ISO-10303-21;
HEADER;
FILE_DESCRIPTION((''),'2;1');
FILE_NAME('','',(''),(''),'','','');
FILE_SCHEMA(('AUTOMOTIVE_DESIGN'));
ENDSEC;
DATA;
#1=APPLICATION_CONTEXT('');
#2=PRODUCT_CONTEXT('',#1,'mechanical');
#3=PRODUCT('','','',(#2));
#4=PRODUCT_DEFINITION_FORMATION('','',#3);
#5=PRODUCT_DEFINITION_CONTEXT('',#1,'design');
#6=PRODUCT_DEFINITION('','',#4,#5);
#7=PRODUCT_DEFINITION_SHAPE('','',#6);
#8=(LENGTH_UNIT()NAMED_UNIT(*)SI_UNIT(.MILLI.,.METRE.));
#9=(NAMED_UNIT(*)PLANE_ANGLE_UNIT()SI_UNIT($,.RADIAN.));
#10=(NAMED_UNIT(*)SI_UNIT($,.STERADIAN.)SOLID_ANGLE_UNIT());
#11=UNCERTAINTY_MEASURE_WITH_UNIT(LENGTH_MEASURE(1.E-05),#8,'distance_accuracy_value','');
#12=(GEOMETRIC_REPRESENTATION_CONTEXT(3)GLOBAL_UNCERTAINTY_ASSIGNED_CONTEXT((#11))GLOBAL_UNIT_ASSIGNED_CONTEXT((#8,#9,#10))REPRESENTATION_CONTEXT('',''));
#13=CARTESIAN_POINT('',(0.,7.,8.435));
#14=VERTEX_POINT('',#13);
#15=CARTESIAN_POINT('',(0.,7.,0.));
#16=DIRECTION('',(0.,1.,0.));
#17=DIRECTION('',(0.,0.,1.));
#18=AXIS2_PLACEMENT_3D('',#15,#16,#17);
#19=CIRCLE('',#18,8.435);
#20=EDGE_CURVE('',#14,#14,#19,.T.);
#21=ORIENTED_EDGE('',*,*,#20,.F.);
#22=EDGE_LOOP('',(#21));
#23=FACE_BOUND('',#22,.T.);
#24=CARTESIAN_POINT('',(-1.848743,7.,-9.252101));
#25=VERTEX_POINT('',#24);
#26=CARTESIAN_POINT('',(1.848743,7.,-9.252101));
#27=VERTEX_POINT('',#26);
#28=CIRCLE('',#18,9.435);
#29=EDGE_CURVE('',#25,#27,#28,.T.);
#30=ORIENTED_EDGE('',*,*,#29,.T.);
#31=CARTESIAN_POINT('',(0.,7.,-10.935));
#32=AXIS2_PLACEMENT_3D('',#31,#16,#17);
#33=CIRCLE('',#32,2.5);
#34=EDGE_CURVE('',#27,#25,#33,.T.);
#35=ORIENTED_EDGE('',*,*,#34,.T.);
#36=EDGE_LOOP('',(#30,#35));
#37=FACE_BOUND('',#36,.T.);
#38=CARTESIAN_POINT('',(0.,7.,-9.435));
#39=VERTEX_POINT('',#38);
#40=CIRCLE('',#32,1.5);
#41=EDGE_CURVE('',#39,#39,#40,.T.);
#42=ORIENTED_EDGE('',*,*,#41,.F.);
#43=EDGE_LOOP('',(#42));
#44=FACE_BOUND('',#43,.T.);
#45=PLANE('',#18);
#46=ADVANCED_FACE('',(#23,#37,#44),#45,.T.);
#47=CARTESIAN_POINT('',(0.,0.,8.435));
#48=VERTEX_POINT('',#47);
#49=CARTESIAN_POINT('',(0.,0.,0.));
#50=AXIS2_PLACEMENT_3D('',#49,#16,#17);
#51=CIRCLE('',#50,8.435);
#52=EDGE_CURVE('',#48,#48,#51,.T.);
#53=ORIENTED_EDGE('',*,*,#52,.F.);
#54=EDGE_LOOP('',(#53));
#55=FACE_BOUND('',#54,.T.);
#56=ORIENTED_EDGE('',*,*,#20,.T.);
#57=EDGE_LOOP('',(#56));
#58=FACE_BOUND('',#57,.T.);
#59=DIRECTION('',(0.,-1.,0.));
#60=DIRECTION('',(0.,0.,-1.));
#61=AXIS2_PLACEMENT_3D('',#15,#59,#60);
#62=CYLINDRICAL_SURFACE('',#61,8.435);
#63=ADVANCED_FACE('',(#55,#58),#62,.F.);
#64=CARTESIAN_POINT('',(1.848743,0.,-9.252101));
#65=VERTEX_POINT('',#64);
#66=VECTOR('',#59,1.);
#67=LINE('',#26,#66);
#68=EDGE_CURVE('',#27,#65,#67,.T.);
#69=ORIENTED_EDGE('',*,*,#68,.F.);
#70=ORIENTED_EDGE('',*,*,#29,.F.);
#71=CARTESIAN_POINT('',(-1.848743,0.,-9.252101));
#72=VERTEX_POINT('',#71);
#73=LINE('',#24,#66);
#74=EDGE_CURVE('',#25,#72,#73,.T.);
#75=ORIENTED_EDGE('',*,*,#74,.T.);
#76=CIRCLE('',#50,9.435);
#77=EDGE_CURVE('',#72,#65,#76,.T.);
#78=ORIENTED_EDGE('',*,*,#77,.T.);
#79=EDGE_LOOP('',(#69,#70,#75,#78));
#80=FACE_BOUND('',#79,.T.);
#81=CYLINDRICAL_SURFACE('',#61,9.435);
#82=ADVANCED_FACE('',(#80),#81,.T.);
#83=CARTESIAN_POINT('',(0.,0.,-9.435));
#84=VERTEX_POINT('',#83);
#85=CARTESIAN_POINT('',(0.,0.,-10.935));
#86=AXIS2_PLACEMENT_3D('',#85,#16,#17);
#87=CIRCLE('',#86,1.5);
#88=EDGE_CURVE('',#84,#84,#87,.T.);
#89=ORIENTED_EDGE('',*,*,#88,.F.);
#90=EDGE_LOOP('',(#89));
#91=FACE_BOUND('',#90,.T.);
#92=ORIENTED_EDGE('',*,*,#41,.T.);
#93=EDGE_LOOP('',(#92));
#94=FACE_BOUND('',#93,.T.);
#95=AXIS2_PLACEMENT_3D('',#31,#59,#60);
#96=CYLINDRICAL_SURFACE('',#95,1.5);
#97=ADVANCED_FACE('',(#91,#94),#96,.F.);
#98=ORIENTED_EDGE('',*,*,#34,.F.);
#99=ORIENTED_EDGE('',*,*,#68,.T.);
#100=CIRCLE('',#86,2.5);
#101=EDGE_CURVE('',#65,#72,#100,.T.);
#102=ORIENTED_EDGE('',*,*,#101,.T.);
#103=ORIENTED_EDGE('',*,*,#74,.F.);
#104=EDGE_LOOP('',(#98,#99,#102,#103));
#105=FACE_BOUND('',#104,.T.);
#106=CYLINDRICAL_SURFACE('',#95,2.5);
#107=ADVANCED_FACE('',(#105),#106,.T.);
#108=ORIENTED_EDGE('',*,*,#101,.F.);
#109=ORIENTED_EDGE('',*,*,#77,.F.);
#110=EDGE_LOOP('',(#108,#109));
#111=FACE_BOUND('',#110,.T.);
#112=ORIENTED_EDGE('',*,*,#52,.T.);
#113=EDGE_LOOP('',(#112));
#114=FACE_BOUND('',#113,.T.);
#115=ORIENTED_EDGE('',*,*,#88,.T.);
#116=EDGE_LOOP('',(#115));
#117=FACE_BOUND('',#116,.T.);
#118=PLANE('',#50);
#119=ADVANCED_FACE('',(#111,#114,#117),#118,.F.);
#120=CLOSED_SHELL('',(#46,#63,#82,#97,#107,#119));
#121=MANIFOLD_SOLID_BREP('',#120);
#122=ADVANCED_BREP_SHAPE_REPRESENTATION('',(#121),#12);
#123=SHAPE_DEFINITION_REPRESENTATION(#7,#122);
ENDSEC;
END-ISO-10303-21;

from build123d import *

# Parameters (mm, degrees)
SKETCH2_R           = 9.435
SKETCH2_R_2         = 8.435
SKETCH2_R_3         = 2.5
SKETCH2_R_4         = 1.5
BOSS_EXTRUDE1_DEPTH = 7


with BuildPart() as part:
    # Sketch2 → Boss-Extrude1 (new body)
    # profile 1 of 2: a face of its own
    with BuildSketch(Plane(origin=(0, 0, 0), x_dir=(1, 0, 0), z_dir=(0, 1, 0))):
        Circle(SKETCH2_R)
        with Locations(Location((0, 0, 0), (0, 0, 270))):
            Circle(SKETCH2_R_2, mode=Mode.SUBTRACT)
    # profile 2 of 2: a face of its own
    with BuildSketch(Plane(origin=(0, 0, 0), x_dir=(1, 0, 0), z_dir=(0, 1, 0))):
        with Locations((0, 10.935)):
            Circle(SKETCH2_R_3)
        with Locations(Location((0, 10.935, 0), (0, 0, 270))):
            Circle(SKETCH2_R_4, mode=Mode.SUBTRACT)
    extrude(amount=BOSS_EXTRUDE1_DEPTH)


solid = part.part
